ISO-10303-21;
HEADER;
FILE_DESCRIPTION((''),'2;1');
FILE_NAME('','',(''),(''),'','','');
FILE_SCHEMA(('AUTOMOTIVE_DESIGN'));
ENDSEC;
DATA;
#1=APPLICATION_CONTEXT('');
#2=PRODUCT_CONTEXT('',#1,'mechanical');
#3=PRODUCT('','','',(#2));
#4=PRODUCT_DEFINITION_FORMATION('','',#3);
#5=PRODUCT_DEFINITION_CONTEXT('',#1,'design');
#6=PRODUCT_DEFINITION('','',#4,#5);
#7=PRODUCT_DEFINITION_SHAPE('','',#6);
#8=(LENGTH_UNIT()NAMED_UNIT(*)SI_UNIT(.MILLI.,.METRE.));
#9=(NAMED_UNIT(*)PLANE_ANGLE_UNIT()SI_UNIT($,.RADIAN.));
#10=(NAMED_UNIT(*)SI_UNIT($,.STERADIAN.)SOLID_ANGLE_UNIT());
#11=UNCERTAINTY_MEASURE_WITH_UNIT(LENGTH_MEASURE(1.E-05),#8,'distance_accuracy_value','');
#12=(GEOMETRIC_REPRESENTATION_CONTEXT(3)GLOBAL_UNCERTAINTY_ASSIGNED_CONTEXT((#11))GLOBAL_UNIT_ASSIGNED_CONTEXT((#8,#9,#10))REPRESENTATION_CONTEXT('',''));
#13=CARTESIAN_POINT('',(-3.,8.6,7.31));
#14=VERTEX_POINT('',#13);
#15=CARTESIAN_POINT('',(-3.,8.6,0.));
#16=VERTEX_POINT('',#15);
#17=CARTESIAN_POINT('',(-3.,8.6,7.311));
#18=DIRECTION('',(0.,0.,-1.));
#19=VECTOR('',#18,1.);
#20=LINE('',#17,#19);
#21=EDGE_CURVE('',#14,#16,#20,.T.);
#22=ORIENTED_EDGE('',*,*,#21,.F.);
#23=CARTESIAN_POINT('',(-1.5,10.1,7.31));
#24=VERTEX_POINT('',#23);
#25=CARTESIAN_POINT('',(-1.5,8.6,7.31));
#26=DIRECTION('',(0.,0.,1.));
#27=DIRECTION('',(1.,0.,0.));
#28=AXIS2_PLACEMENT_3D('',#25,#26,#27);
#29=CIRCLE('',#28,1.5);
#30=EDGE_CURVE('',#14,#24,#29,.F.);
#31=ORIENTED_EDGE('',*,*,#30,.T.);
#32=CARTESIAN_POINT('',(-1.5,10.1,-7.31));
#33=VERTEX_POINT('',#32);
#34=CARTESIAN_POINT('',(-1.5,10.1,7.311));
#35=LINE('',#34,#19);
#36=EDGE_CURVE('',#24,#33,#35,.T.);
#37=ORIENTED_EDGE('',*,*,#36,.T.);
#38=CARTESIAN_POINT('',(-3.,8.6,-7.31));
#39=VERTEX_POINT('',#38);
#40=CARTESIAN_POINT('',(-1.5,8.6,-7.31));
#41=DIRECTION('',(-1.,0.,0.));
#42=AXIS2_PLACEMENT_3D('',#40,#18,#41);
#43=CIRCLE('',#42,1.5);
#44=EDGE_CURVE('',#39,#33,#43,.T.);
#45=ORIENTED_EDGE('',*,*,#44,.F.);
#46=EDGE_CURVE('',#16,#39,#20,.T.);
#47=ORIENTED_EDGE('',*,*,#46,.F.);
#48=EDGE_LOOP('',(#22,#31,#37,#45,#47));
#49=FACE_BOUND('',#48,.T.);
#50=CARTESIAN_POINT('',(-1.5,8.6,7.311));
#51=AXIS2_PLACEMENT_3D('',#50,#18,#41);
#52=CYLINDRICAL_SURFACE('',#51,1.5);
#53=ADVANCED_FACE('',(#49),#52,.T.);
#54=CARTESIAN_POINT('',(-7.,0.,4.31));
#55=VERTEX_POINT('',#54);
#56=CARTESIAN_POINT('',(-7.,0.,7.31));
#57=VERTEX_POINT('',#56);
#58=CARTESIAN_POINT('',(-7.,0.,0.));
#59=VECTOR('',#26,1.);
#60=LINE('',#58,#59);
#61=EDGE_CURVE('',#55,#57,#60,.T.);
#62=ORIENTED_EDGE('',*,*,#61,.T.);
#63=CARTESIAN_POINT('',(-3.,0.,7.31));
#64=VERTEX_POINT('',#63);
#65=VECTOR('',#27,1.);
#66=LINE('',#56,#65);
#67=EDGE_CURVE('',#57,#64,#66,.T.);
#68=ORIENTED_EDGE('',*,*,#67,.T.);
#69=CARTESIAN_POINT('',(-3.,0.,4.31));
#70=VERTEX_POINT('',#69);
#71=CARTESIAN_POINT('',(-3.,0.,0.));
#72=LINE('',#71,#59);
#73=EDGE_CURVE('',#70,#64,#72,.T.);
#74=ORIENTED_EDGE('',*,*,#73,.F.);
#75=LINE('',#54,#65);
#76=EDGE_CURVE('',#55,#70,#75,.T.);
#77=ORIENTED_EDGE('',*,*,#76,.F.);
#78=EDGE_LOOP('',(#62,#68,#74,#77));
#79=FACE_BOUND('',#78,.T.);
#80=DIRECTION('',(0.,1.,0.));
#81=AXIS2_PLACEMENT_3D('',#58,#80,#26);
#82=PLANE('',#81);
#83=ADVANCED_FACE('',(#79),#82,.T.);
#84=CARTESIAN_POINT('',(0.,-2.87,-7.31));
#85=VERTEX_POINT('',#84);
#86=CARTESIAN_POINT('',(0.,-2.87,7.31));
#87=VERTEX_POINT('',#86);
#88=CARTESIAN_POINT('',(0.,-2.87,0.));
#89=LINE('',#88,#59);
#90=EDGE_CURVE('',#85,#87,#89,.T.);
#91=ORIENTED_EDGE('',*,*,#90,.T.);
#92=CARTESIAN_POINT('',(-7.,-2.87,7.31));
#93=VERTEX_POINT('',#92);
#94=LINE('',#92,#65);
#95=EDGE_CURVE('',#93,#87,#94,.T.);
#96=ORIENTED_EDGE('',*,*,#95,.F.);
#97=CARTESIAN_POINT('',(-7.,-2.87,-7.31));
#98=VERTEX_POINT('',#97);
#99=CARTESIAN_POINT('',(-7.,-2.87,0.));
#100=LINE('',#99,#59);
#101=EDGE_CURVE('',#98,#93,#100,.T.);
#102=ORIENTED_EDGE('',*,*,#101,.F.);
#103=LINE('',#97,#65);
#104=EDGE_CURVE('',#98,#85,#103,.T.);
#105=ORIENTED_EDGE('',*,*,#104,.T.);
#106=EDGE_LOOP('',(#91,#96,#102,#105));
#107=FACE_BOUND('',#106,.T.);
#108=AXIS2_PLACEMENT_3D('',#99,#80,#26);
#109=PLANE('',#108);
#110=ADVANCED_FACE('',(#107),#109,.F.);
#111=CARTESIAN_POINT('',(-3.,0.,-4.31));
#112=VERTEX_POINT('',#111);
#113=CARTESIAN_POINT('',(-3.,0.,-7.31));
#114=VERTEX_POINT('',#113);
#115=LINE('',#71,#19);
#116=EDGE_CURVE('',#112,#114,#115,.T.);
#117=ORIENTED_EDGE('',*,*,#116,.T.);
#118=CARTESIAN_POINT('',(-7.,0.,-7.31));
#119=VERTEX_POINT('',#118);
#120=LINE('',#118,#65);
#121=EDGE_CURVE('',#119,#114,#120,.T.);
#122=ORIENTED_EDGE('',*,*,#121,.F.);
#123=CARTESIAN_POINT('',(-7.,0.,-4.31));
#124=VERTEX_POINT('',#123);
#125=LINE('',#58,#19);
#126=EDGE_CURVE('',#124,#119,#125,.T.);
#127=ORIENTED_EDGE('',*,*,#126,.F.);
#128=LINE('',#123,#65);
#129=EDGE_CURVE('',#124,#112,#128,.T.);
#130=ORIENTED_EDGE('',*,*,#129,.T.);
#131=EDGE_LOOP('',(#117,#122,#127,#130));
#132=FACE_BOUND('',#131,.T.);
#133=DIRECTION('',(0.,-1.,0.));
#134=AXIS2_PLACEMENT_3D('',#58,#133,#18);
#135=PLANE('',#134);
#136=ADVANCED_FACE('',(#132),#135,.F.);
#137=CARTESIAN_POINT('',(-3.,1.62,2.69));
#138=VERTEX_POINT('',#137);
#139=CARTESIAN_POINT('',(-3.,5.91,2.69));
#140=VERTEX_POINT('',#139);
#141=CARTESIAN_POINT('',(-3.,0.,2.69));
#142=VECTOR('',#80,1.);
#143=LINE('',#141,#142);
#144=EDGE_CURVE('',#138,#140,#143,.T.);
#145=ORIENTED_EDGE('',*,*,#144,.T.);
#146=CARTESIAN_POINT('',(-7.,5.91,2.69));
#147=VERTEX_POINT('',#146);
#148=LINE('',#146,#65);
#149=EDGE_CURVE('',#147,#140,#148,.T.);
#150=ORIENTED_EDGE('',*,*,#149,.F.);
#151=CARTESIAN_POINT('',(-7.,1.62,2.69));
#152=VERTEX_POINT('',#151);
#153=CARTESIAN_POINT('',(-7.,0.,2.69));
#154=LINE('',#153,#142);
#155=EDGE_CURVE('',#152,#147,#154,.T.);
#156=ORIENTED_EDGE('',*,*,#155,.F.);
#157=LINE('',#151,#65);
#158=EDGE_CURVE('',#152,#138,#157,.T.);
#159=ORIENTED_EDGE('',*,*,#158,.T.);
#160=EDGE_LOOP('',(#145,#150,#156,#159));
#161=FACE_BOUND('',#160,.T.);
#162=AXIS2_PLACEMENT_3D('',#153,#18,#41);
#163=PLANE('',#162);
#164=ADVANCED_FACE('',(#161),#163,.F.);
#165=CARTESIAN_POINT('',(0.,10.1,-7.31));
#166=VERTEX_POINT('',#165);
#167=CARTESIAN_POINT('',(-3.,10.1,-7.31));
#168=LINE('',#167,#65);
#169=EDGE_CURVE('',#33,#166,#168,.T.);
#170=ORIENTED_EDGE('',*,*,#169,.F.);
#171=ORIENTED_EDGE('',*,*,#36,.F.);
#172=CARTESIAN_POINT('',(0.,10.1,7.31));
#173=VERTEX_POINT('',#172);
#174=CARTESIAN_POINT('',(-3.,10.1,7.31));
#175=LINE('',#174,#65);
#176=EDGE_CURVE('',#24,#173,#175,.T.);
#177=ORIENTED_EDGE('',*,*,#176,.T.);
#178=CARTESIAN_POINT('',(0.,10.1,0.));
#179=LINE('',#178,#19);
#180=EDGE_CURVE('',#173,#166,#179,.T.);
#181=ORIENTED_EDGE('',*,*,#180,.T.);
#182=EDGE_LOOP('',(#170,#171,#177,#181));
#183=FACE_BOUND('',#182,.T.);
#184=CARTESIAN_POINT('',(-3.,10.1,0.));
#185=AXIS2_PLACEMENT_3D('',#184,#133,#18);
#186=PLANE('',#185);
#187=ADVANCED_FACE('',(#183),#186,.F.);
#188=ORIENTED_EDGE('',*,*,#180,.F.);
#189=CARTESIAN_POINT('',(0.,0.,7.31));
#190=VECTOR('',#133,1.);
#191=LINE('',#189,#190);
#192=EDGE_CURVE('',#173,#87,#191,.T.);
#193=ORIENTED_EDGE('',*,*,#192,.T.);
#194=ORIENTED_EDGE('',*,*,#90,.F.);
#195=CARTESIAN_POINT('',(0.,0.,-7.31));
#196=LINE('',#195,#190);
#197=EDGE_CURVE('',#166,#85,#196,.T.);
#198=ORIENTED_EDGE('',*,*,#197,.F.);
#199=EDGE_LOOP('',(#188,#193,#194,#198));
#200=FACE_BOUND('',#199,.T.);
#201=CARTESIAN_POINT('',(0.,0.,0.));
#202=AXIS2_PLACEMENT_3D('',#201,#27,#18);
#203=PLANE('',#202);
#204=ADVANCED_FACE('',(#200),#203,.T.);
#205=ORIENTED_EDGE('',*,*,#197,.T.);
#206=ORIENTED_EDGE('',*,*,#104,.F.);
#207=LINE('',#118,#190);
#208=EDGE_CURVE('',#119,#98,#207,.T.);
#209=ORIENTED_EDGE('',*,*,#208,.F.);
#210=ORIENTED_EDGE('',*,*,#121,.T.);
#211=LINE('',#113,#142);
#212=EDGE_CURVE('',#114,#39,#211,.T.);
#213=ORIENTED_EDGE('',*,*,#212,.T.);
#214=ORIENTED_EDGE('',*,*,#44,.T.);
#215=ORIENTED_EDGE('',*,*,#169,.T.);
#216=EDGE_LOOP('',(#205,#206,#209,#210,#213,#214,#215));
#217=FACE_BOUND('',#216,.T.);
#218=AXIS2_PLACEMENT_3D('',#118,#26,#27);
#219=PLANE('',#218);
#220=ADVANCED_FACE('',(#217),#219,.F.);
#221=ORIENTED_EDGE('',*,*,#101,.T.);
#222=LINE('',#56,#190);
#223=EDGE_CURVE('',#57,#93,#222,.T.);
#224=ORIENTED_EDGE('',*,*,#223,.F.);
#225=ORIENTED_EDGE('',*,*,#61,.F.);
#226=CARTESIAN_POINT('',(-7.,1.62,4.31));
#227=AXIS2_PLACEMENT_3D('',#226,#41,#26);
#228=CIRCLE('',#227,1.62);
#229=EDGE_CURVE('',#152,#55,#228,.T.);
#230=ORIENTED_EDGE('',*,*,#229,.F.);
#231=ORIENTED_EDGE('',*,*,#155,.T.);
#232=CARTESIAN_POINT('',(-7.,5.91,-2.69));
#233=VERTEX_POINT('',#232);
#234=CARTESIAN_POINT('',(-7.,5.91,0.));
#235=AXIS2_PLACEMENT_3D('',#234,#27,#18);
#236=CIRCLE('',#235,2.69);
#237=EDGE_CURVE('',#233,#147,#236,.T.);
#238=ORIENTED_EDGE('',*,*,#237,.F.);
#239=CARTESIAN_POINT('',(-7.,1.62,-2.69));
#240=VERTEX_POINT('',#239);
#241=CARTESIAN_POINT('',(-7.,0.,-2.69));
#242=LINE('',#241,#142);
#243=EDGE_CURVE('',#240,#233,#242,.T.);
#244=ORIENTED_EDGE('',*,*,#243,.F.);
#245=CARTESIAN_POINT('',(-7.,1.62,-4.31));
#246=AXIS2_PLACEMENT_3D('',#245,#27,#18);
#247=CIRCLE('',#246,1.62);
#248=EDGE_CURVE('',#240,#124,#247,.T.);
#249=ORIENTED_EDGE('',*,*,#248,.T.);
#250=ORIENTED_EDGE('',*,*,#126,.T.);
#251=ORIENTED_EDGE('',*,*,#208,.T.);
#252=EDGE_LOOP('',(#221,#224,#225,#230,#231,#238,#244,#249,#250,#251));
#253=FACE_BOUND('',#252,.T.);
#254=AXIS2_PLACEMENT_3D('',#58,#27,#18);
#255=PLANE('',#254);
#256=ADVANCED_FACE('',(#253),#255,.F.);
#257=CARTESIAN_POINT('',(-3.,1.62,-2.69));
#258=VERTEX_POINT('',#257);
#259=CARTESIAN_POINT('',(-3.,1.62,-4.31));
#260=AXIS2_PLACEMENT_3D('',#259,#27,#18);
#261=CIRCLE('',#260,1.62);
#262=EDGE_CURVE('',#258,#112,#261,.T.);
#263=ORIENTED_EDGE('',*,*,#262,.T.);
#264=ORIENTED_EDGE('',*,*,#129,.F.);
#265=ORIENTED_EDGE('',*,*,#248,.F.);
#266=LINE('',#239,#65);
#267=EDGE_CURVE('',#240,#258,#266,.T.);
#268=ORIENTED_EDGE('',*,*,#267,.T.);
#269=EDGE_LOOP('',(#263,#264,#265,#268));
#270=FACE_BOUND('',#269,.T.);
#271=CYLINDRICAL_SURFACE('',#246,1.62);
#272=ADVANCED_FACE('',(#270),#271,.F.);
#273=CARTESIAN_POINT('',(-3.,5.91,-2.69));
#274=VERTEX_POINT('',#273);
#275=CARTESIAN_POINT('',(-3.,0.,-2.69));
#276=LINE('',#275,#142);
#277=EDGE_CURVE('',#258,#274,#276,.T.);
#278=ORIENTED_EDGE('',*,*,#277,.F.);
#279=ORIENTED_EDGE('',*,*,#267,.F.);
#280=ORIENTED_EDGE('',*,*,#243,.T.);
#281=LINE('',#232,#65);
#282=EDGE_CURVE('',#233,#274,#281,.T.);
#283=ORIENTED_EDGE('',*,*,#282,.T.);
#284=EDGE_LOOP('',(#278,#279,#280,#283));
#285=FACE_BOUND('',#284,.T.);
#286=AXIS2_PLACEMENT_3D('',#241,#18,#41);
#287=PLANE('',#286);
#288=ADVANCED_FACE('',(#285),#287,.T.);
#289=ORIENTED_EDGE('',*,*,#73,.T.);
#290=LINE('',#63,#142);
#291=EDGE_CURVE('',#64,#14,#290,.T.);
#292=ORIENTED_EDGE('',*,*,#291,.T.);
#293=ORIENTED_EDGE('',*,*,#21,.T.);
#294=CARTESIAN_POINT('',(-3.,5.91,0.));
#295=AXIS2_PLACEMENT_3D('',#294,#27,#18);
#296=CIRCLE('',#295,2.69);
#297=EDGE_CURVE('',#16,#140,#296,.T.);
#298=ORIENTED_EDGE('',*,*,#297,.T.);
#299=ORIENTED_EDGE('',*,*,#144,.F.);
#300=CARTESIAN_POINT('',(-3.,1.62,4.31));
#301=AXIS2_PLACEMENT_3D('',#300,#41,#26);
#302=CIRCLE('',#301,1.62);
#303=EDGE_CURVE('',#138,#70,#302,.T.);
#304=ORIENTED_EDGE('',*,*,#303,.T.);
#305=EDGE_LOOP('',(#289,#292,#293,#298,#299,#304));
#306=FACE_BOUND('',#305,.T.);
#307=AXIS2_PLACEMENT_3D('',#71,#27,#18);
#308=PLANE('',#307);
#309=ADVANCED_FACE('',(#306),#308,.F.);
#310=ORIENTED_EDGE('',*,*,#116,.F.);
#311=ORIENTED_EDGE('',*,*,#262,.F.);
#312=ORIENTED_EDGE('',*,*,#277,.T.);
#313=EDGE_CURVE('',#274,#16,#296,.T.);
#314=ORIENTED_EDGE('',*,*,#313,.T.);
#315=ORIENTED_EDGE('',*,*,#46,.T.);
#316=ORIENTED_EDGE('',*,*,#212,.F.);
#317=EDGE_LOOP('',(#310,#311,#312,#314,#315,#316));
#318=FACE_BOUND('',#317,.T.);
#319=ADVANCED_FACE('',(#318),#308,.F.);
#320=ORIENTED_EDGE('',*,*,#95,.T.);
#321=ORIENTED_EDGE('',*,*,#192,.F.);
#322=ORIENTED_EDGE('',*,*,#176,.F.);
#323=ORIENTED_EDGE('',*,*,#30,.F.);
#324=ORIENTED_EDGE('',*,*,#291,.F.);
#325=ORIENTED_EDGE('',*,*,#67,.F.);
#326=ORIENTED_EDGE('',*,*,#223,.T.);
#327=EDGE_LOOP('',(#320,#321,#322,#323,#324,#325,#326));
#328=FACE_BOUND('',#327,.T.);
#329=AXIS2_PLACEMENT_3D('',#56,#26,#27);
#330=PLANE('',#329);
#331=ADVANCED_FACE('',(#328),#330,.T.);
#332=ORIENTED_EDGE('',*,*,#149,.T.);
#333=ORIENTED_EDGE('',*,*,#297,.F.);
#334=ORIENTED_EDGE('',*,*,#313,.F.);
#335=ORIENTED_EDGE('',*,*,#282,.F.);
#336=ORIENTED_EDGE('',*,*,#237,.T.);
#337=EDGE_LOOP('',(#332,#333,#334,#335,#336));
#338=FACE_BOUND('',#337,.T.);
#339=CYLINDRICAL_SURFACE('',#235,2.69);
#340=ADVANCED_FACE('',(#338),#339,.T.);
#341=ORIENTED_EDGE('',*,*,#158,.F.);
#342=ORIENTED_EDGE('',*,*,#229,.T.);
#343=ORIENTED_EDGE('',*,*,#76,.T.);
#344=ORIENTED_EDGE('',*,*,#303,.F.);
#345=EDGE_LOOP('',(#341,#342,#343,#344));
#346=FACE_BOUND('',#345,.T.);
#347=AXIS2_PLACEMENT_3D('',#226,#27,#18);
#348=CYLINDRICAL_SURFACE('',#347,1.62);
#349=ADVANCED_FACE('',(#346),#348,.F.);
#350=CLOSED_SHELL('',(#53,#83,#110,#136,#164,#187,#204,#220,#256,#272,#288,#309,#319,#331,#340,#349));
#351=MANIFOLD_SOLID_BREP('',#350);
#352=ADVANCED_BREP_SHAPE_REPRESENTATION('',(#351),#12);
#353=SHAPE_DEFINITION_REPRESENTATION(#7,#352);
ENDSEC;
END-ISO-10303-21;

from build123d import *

# Parameters (mm, degrees)
BOSS_EXTRUDE1_DEPTH = 7
BOSS_EXTRUDE2_DEPTH = 3
CUT_EXTRUDE1_DEPTH  = 14.62


with BuildPart() as part:
    # Sketch1 → Boss-Extrude1 (new body)
    with BuildSketch(Plane(origin=(0, 0, 0), x_dir=(0, 0, -1), z_dir=(1, 0, 0))):
        with BuildLine():
            ThreePointArc((2.69, 5.91), (1.902117241, 7.812117241), (0, 8.6))
            Line((0, 8.6), (0, 0))
            Line((0, 0), (0, -2.87))
            Line((0, -2.87), (7.31, -2.87))
            Line((7.31, -2.87), (7.31, 0))
            Line((7.31, 0), (4.31, 0))
            ThreePointArc((4.31, 0), (3.164487014, 0.474487014), (2.69, 1.62))
            Line((2.69, 1.62), (2.69, 5.91))
        make_face()
    boss_extrude1 = extrude(amount=-BOSS_EXTRUDE1_DEPTH)

    # Sketch1<3> → Boss-Extrude2 (add)
    with BuildSketch(Plane(origin=(0, 0, 0), x_dir=(0, 0, -1), z_dir=(1, 0, 0))):
        with BuildLine():
            Line((7.31, 10.1), (0, 10.1))
            Line((0, 10.1), (0, 8.6))
            ThreePointArc((0, 8.6), (1.902117241, 7.812117241), (2.69, 5.91))
            Line((2.69, 5.91), (2.69, 1.62))
            ThreePointArc((2.69, 1.62), (3.164487014, 0.474487014), (4.31, 0))
            Line((4.31, 0), (7.31, 0))
            Line((7.31, 0), (7.31, 10.1))
        make_face()
    boss_extrude2 = extrude(amount=-BOSS_EXTRUDE2_DEPTH)

    # Mirror1: Boss-Extrude1, Boss-Extrude2 across plane
    add(boss_extrude1.mirror(Plane.XY))
    add(boss_extrude2.mirror(Plane.XY))

    # Sketch2 → Cut-Extrude1 (cut)
    with BuildSketch(Plane(origin=(0, 0, -7.31), x_dir=(-1, 0, 0), z_dir=(0, 0, -1))):
        with BuildLine():
            Line((3, 10.1), (1.5, 10.1))
            ThreePointArc((1.5, 10.1), (2.560660172, 9.660660172), (3, 8.6))
            Line((3, 8.6), (3, 10.1))
        make_face()
    extrude(amount=-CUT_EXTRUDE1_DEPTH, mode=Mode.SUBTRACT)


solid = part.part
